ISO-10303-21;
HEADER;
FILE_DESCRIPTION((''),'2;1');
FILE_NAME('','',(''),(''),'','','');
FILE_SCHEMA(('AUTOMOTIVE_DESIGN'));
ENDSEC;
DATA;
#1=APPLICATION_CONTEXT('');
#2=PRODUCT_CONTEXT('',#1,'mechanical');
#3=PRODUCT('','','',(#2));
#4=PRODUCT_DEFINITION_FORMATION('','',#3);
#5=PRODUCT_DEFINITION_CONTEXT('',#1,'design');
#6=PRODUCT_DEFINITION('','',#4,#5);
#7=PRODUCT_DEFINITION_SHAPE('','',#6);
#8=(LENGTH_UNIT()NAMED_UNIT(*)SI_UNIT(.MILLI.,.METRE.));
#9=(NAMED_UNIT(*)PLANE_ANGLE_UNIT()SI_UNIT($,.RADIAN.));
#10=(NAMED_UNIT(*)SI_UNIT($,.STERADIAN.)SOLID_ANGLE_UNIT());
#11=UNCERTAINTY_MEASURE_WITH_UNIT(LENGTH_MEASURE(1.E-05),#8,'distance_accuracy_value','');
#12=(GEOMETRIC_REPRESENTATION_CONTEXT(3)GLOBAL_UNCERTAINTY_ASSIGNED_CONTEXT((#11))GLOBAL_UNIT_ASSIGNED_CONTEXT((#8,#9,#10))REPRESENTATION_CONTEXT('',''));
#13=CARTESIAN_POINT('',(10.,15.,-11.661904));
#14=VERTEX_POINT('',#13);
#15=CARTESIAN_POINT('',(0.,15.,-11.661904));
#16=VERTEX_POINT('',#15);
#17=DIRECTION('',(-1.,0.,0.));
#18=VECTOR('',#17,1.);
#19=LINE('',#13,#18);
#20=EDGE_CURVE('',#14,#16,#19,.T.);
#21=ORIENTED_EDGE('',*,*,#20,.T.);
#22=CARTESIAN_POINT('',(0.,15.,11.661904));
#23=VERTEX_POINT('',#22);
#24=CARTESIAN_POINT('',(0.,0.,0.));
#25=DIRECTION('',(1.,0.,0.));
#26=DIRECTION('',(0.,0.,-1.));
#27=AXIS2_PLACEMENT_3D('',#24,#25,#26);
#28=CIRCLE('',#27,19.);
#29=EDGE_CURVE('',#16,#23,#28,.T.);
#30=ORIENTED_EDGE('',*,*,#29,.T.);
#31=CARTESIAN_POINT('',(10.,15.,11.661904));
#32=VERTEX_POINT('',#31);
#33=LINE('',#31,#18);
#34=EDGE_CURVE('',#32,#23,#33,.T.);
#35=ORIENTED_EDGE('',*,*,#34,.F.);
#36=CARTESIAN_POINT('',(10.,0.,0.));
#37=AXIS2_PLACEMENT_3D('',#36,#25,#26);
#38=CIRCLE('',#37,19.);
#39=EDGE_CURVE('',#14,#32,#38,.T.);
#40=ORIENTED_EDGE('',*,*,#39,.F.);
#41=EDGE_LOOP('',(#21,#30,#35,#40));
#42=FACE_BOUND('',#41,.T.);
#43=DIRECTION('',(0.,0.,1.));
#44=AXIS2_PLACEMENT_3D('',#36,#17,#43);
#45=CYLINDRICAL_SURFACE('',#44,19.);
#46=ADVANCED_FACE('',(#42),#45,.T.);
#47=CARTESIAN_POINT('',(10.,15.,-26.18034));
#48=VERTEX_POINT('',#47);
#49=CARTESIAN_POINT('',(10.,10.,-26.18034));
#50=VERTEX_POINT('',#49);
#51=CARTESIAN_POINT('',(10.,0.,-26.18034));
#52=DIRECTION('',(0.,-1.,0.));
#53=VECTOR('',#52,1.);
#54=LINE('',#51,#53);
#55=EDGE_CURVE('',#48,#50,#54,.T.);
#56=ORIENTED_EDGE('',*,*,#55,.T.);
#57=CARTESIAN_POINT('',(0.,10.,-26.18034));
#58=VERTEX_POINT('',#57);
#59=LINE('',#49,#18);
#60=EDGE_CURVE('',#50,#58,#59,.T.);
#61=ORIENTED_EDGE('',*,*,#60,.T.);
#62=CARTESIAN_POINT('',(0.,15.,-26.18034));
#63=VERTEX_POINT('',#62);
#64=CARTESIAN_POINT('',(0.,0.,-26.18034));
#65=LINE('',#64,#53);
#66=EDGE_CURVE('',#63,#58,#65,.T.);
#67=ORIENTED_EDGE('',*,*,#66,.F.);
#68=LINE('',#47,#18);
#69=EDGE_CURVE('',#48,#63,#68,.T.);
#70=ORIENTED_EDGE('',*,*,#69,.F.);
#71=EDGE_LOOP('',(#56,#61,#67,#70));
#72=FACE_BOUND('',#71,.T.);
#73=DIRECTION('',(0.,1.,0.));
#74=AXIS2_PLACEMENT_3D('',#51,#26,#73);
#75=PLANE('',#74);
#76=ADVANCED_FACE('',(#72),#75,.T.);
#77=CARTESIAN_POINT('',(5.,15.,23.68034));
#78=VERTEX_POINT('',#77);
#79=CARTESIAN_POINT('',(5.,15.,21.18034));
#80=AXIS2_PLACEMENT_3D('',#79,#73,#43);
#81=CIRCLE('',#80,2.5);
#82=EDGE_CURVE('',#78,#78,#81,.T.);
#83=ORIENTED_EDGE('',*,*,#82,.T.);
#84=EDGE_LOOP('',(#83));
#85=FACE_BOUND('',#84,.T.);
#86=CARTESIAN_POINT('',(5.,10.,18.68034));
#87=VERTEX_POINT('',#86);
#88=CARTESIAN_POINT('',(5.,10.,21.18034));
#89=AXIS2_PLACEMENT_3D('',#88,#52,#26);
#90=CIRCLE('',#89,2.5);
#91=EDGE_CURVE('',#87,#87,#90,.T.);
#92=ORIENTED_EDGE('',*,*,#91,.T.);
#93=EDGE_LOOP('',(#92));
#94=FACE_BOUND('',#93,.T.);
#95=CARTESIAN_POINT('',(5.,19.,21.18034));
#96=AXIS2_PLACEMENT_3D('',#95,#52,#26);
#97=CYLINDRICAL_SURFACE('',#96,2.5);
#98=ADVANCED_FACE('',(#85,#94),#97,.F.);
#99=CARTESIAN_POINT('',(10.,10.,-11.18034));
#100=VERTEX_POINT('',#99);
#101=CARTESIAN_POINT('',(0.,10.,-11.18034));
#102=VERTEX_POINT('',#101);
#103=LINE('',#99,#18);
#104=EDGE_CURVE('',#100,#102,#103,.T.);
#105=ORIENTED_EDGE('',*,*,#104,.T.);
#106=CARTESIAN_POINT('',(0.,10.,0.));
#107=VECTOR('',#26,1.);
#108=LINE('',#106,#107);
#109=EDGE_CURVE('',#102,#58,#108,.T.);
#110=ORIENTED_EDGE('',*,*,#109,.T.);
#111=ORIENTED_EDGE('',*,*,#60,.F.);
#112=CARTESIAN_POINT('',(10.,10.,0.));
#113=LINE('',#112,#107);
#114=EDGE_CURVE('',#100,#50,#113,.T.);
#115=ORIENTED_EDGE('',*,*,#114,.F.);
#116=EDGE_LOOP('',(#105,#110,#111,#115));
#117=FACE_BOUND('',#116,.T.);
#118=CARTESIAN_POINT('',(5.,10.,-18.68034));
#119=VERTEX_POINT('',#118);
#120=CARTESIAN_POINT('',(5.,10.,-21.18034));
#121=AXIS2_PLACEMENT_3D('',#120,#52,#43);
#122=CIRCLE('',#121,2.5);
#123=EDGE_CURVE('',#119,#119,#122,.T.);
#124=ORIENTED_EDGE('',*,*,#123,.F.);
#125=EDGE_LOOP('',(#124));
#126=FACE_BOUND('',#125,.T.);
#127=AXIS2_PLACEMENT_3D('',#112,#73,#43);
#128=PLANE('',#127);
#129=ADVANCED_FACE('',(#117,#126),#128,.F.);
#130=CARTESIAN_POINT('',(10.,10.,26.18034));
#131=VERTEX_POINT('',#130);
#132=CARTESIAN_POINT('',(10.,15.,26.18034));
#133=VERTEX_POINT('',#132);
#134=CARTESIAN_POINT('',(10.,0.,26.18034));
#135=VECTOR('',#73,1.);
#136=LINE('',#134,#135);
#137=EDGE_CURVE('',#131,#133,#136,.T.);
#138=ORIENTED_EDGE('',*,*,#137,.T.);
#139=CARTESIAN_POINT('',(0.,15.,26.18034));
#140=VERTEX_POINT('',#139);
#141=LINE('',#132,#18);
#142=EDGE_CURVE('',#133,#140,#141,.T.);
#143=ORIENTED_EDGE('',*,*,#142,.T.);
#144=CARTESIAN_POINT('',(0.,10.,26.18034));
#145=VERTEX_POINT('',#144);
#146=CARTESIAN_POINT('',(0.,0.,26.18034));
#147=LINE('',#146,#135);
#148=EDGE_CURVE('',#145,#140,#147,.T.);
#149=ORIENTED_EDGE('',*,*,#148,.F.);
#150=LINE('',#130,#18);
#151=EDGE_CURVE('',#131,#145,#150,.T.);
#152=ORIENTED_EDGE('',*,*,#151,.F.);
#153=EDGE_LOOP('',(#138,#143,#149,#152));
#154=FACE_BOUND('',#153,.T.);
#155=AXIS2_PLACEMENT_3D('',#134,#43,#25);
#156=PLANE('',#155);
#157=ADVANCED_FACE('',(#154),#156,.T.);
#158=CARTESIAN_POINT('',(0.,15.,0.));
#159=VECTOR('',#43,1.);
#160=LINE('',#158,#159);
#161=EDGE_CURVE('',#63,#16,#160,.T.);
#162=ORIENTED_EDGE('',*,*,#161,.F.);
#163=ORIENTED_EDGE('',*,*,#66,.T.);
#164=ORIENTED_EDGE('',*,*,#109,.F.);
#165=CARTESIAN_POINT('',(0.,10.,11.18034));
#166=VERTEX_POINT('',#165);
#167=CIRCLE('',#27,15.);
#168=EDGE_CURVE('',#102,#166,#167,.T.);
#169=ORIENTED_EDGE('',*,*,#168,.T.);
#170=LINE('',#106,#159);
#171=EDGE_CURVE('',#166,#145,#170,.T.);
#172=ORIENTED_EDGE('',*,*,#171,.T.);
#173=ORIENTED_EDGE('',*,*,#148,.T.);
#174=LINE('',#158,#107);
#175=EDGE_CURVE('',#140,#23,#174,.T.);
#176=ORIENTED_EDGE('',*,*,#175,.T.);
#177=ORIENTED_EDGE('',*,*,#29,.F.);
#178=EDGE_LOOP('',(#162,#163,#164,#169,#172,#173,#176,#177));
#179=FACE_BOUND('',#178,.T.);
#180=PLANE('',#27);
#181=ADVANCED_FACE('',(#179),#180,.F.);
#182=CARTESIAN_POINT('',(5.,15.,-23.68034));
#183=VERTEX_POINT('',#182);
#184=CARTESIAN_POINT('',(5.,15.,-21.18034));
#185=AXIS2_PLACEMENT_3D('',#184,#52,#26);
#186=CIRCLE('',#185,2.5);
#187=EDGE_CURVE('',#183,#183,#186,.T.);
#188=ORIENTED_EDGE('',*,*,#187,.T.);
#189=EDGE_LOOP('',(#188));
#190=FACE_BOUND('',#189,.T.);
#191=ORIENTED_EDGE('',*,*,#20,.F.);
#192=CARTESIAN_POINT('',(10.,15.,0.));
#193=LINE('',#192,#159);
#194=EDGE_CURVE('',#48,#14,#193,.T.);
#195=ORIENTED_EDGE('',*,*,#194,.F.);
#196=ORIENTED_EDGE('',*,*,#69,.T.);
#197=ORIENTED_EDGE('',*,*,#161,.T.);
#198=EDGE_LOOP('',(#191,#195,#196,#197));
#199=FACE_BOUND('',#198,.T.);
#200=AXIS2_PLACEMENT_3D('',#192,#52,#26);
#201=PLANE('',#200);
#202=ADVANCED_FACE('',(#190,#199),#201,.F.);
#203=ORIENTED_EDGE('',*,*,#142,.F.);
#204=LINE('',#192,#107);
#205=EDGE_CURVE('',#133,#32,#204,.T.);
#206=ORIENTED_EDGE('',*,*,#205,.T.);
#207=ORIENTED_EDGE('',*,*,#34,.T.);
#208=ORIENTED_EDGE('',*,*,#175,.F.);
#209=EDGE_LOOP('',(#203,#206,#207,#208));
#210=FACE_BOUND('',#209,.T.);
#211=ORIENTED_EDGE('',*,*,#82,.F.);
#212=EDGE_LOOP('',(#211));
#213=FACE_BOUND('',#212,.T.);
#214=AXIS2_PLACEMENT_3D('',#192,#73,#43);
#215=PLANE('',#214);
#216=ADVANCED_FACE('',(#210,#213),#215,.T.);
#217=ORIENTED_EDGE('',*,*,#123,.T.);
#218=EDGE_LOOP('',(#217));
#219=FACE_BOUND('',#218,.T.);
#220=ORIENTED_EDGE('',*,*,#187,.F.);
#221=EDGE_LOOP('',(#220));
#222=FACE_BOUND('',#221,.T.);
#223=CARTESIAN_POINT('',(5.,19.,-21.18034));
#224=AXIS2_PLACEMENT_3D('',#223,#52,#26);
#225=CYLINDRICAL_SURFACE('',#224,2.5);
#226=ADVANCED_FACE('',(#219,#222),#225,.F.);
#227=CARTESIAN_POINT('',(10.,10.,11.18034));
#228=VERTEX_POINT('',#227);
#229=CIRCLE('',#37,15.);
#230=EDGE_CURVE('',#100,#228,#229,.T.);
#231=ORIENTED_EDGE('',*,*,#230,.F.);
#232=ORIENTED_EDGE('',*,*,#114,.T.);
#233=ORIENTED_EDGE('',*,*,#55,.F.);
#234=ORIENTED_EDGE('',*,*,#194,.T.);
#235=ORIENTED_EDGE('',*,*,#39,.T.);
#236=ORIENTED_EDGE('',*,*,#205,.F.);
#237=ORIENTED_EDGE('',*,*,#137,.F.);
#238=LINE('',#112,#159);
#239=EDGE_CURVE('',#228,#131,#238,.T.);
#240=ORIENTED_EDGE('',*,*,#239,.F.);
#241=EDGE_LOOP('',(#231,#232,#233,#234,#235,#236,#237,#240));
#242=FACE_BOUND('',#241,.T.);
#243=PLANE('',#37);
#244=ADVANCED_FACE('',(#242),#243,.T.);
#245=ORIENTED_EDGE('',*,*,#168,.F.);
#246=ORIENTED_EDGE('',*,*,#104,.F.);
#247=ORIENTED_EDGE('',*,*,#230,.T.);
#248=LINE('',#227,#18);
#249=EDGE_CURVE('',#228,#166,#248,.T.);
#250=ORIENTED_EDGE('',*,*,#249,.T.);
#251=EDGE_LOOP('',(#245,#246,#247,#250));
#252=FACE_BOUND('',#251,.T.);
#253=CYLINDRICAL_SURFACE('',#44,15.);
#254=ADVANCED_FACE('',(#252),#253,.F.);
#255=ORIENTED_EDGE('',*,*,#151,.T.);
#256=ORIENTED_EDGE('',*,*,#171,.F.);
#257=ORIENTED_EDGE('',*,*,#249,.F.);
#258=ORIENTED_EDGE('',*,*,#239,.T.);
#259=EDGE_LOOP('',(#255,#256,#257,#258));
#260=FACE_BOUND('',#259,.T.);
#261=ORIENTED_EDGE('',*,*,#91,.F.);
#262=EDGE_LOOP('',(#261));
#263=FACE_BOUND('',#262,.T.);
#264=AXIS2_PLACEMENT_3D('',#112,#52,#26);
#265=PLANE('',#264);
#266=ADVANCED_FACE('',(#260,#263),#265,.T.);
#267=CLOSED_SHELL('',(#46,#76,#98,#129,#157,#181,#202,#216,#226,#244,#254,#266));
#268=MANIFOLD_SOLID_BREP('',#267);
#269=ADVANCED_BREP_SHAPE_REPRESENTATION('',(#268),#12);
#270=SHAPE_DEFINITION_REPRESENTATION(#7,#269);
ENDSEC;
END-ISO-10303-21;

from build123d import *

# Parameters (mm, degrees)
BASE_DEPTH           = 10
ESQUISSE5_R          = 2.5
VIDE_ACCES_VIS_DEPTH = 30.434846638


with BuildPart() as part:
    # Esquisse2 → BASE (new body)
    with BuildSketch(Plane(origin=(0, 0, 0), x_dir=(0, 0, -1), z_dir=(1, 0, 0))):
        with BuildLine():
            Line((-26.180339887, 10), (-14.361406616, 10))
            Line((-14.361406616, 10), (-11.180339887, 10))
            ThreePointArc((-11.180339887, 10), (0, 15), (11.180339887, 10))
            Line((11.180339887, 10), (14.361406616, 10))
            Line((14.361406616, 10), (21.180339887, 10))
            Line((21.180339887, 10), (26.180339887, 10))
            Line((26.180339887, 10), (26.180339887, 15))
            Line((26.180339887, 15), (11.66190379, 15))
            ThreePointArc((11.66190379, 15), (0, 19), (-11.66190379, 15))
            Line((-11.66190379, 15), (-26.180339887, 15))
            Line((-26.180339887, 15), (-26.180339887, 10))
        make_face()
    extrude(amount=BASE_DEPTH)

    # Esquisse5 → VIDE ACCES VIS (cut, through all)
    with BuildSketch(Plane.XZ.offset(-10)):
        with Locations(Location((5, 21.180339887, 0), (0, 0, 270))):
            Circle(ESQUISSE5_R)
        with Locations(Location((5, -21.180339887, 0), (0, 0, 270))):
            Circle(ESQUISSE5_R)
    extrude(amount=-VIDE_ACCES_VIS_DEPTH, mode=Mode.SUBTRACT)


solid = part.part
